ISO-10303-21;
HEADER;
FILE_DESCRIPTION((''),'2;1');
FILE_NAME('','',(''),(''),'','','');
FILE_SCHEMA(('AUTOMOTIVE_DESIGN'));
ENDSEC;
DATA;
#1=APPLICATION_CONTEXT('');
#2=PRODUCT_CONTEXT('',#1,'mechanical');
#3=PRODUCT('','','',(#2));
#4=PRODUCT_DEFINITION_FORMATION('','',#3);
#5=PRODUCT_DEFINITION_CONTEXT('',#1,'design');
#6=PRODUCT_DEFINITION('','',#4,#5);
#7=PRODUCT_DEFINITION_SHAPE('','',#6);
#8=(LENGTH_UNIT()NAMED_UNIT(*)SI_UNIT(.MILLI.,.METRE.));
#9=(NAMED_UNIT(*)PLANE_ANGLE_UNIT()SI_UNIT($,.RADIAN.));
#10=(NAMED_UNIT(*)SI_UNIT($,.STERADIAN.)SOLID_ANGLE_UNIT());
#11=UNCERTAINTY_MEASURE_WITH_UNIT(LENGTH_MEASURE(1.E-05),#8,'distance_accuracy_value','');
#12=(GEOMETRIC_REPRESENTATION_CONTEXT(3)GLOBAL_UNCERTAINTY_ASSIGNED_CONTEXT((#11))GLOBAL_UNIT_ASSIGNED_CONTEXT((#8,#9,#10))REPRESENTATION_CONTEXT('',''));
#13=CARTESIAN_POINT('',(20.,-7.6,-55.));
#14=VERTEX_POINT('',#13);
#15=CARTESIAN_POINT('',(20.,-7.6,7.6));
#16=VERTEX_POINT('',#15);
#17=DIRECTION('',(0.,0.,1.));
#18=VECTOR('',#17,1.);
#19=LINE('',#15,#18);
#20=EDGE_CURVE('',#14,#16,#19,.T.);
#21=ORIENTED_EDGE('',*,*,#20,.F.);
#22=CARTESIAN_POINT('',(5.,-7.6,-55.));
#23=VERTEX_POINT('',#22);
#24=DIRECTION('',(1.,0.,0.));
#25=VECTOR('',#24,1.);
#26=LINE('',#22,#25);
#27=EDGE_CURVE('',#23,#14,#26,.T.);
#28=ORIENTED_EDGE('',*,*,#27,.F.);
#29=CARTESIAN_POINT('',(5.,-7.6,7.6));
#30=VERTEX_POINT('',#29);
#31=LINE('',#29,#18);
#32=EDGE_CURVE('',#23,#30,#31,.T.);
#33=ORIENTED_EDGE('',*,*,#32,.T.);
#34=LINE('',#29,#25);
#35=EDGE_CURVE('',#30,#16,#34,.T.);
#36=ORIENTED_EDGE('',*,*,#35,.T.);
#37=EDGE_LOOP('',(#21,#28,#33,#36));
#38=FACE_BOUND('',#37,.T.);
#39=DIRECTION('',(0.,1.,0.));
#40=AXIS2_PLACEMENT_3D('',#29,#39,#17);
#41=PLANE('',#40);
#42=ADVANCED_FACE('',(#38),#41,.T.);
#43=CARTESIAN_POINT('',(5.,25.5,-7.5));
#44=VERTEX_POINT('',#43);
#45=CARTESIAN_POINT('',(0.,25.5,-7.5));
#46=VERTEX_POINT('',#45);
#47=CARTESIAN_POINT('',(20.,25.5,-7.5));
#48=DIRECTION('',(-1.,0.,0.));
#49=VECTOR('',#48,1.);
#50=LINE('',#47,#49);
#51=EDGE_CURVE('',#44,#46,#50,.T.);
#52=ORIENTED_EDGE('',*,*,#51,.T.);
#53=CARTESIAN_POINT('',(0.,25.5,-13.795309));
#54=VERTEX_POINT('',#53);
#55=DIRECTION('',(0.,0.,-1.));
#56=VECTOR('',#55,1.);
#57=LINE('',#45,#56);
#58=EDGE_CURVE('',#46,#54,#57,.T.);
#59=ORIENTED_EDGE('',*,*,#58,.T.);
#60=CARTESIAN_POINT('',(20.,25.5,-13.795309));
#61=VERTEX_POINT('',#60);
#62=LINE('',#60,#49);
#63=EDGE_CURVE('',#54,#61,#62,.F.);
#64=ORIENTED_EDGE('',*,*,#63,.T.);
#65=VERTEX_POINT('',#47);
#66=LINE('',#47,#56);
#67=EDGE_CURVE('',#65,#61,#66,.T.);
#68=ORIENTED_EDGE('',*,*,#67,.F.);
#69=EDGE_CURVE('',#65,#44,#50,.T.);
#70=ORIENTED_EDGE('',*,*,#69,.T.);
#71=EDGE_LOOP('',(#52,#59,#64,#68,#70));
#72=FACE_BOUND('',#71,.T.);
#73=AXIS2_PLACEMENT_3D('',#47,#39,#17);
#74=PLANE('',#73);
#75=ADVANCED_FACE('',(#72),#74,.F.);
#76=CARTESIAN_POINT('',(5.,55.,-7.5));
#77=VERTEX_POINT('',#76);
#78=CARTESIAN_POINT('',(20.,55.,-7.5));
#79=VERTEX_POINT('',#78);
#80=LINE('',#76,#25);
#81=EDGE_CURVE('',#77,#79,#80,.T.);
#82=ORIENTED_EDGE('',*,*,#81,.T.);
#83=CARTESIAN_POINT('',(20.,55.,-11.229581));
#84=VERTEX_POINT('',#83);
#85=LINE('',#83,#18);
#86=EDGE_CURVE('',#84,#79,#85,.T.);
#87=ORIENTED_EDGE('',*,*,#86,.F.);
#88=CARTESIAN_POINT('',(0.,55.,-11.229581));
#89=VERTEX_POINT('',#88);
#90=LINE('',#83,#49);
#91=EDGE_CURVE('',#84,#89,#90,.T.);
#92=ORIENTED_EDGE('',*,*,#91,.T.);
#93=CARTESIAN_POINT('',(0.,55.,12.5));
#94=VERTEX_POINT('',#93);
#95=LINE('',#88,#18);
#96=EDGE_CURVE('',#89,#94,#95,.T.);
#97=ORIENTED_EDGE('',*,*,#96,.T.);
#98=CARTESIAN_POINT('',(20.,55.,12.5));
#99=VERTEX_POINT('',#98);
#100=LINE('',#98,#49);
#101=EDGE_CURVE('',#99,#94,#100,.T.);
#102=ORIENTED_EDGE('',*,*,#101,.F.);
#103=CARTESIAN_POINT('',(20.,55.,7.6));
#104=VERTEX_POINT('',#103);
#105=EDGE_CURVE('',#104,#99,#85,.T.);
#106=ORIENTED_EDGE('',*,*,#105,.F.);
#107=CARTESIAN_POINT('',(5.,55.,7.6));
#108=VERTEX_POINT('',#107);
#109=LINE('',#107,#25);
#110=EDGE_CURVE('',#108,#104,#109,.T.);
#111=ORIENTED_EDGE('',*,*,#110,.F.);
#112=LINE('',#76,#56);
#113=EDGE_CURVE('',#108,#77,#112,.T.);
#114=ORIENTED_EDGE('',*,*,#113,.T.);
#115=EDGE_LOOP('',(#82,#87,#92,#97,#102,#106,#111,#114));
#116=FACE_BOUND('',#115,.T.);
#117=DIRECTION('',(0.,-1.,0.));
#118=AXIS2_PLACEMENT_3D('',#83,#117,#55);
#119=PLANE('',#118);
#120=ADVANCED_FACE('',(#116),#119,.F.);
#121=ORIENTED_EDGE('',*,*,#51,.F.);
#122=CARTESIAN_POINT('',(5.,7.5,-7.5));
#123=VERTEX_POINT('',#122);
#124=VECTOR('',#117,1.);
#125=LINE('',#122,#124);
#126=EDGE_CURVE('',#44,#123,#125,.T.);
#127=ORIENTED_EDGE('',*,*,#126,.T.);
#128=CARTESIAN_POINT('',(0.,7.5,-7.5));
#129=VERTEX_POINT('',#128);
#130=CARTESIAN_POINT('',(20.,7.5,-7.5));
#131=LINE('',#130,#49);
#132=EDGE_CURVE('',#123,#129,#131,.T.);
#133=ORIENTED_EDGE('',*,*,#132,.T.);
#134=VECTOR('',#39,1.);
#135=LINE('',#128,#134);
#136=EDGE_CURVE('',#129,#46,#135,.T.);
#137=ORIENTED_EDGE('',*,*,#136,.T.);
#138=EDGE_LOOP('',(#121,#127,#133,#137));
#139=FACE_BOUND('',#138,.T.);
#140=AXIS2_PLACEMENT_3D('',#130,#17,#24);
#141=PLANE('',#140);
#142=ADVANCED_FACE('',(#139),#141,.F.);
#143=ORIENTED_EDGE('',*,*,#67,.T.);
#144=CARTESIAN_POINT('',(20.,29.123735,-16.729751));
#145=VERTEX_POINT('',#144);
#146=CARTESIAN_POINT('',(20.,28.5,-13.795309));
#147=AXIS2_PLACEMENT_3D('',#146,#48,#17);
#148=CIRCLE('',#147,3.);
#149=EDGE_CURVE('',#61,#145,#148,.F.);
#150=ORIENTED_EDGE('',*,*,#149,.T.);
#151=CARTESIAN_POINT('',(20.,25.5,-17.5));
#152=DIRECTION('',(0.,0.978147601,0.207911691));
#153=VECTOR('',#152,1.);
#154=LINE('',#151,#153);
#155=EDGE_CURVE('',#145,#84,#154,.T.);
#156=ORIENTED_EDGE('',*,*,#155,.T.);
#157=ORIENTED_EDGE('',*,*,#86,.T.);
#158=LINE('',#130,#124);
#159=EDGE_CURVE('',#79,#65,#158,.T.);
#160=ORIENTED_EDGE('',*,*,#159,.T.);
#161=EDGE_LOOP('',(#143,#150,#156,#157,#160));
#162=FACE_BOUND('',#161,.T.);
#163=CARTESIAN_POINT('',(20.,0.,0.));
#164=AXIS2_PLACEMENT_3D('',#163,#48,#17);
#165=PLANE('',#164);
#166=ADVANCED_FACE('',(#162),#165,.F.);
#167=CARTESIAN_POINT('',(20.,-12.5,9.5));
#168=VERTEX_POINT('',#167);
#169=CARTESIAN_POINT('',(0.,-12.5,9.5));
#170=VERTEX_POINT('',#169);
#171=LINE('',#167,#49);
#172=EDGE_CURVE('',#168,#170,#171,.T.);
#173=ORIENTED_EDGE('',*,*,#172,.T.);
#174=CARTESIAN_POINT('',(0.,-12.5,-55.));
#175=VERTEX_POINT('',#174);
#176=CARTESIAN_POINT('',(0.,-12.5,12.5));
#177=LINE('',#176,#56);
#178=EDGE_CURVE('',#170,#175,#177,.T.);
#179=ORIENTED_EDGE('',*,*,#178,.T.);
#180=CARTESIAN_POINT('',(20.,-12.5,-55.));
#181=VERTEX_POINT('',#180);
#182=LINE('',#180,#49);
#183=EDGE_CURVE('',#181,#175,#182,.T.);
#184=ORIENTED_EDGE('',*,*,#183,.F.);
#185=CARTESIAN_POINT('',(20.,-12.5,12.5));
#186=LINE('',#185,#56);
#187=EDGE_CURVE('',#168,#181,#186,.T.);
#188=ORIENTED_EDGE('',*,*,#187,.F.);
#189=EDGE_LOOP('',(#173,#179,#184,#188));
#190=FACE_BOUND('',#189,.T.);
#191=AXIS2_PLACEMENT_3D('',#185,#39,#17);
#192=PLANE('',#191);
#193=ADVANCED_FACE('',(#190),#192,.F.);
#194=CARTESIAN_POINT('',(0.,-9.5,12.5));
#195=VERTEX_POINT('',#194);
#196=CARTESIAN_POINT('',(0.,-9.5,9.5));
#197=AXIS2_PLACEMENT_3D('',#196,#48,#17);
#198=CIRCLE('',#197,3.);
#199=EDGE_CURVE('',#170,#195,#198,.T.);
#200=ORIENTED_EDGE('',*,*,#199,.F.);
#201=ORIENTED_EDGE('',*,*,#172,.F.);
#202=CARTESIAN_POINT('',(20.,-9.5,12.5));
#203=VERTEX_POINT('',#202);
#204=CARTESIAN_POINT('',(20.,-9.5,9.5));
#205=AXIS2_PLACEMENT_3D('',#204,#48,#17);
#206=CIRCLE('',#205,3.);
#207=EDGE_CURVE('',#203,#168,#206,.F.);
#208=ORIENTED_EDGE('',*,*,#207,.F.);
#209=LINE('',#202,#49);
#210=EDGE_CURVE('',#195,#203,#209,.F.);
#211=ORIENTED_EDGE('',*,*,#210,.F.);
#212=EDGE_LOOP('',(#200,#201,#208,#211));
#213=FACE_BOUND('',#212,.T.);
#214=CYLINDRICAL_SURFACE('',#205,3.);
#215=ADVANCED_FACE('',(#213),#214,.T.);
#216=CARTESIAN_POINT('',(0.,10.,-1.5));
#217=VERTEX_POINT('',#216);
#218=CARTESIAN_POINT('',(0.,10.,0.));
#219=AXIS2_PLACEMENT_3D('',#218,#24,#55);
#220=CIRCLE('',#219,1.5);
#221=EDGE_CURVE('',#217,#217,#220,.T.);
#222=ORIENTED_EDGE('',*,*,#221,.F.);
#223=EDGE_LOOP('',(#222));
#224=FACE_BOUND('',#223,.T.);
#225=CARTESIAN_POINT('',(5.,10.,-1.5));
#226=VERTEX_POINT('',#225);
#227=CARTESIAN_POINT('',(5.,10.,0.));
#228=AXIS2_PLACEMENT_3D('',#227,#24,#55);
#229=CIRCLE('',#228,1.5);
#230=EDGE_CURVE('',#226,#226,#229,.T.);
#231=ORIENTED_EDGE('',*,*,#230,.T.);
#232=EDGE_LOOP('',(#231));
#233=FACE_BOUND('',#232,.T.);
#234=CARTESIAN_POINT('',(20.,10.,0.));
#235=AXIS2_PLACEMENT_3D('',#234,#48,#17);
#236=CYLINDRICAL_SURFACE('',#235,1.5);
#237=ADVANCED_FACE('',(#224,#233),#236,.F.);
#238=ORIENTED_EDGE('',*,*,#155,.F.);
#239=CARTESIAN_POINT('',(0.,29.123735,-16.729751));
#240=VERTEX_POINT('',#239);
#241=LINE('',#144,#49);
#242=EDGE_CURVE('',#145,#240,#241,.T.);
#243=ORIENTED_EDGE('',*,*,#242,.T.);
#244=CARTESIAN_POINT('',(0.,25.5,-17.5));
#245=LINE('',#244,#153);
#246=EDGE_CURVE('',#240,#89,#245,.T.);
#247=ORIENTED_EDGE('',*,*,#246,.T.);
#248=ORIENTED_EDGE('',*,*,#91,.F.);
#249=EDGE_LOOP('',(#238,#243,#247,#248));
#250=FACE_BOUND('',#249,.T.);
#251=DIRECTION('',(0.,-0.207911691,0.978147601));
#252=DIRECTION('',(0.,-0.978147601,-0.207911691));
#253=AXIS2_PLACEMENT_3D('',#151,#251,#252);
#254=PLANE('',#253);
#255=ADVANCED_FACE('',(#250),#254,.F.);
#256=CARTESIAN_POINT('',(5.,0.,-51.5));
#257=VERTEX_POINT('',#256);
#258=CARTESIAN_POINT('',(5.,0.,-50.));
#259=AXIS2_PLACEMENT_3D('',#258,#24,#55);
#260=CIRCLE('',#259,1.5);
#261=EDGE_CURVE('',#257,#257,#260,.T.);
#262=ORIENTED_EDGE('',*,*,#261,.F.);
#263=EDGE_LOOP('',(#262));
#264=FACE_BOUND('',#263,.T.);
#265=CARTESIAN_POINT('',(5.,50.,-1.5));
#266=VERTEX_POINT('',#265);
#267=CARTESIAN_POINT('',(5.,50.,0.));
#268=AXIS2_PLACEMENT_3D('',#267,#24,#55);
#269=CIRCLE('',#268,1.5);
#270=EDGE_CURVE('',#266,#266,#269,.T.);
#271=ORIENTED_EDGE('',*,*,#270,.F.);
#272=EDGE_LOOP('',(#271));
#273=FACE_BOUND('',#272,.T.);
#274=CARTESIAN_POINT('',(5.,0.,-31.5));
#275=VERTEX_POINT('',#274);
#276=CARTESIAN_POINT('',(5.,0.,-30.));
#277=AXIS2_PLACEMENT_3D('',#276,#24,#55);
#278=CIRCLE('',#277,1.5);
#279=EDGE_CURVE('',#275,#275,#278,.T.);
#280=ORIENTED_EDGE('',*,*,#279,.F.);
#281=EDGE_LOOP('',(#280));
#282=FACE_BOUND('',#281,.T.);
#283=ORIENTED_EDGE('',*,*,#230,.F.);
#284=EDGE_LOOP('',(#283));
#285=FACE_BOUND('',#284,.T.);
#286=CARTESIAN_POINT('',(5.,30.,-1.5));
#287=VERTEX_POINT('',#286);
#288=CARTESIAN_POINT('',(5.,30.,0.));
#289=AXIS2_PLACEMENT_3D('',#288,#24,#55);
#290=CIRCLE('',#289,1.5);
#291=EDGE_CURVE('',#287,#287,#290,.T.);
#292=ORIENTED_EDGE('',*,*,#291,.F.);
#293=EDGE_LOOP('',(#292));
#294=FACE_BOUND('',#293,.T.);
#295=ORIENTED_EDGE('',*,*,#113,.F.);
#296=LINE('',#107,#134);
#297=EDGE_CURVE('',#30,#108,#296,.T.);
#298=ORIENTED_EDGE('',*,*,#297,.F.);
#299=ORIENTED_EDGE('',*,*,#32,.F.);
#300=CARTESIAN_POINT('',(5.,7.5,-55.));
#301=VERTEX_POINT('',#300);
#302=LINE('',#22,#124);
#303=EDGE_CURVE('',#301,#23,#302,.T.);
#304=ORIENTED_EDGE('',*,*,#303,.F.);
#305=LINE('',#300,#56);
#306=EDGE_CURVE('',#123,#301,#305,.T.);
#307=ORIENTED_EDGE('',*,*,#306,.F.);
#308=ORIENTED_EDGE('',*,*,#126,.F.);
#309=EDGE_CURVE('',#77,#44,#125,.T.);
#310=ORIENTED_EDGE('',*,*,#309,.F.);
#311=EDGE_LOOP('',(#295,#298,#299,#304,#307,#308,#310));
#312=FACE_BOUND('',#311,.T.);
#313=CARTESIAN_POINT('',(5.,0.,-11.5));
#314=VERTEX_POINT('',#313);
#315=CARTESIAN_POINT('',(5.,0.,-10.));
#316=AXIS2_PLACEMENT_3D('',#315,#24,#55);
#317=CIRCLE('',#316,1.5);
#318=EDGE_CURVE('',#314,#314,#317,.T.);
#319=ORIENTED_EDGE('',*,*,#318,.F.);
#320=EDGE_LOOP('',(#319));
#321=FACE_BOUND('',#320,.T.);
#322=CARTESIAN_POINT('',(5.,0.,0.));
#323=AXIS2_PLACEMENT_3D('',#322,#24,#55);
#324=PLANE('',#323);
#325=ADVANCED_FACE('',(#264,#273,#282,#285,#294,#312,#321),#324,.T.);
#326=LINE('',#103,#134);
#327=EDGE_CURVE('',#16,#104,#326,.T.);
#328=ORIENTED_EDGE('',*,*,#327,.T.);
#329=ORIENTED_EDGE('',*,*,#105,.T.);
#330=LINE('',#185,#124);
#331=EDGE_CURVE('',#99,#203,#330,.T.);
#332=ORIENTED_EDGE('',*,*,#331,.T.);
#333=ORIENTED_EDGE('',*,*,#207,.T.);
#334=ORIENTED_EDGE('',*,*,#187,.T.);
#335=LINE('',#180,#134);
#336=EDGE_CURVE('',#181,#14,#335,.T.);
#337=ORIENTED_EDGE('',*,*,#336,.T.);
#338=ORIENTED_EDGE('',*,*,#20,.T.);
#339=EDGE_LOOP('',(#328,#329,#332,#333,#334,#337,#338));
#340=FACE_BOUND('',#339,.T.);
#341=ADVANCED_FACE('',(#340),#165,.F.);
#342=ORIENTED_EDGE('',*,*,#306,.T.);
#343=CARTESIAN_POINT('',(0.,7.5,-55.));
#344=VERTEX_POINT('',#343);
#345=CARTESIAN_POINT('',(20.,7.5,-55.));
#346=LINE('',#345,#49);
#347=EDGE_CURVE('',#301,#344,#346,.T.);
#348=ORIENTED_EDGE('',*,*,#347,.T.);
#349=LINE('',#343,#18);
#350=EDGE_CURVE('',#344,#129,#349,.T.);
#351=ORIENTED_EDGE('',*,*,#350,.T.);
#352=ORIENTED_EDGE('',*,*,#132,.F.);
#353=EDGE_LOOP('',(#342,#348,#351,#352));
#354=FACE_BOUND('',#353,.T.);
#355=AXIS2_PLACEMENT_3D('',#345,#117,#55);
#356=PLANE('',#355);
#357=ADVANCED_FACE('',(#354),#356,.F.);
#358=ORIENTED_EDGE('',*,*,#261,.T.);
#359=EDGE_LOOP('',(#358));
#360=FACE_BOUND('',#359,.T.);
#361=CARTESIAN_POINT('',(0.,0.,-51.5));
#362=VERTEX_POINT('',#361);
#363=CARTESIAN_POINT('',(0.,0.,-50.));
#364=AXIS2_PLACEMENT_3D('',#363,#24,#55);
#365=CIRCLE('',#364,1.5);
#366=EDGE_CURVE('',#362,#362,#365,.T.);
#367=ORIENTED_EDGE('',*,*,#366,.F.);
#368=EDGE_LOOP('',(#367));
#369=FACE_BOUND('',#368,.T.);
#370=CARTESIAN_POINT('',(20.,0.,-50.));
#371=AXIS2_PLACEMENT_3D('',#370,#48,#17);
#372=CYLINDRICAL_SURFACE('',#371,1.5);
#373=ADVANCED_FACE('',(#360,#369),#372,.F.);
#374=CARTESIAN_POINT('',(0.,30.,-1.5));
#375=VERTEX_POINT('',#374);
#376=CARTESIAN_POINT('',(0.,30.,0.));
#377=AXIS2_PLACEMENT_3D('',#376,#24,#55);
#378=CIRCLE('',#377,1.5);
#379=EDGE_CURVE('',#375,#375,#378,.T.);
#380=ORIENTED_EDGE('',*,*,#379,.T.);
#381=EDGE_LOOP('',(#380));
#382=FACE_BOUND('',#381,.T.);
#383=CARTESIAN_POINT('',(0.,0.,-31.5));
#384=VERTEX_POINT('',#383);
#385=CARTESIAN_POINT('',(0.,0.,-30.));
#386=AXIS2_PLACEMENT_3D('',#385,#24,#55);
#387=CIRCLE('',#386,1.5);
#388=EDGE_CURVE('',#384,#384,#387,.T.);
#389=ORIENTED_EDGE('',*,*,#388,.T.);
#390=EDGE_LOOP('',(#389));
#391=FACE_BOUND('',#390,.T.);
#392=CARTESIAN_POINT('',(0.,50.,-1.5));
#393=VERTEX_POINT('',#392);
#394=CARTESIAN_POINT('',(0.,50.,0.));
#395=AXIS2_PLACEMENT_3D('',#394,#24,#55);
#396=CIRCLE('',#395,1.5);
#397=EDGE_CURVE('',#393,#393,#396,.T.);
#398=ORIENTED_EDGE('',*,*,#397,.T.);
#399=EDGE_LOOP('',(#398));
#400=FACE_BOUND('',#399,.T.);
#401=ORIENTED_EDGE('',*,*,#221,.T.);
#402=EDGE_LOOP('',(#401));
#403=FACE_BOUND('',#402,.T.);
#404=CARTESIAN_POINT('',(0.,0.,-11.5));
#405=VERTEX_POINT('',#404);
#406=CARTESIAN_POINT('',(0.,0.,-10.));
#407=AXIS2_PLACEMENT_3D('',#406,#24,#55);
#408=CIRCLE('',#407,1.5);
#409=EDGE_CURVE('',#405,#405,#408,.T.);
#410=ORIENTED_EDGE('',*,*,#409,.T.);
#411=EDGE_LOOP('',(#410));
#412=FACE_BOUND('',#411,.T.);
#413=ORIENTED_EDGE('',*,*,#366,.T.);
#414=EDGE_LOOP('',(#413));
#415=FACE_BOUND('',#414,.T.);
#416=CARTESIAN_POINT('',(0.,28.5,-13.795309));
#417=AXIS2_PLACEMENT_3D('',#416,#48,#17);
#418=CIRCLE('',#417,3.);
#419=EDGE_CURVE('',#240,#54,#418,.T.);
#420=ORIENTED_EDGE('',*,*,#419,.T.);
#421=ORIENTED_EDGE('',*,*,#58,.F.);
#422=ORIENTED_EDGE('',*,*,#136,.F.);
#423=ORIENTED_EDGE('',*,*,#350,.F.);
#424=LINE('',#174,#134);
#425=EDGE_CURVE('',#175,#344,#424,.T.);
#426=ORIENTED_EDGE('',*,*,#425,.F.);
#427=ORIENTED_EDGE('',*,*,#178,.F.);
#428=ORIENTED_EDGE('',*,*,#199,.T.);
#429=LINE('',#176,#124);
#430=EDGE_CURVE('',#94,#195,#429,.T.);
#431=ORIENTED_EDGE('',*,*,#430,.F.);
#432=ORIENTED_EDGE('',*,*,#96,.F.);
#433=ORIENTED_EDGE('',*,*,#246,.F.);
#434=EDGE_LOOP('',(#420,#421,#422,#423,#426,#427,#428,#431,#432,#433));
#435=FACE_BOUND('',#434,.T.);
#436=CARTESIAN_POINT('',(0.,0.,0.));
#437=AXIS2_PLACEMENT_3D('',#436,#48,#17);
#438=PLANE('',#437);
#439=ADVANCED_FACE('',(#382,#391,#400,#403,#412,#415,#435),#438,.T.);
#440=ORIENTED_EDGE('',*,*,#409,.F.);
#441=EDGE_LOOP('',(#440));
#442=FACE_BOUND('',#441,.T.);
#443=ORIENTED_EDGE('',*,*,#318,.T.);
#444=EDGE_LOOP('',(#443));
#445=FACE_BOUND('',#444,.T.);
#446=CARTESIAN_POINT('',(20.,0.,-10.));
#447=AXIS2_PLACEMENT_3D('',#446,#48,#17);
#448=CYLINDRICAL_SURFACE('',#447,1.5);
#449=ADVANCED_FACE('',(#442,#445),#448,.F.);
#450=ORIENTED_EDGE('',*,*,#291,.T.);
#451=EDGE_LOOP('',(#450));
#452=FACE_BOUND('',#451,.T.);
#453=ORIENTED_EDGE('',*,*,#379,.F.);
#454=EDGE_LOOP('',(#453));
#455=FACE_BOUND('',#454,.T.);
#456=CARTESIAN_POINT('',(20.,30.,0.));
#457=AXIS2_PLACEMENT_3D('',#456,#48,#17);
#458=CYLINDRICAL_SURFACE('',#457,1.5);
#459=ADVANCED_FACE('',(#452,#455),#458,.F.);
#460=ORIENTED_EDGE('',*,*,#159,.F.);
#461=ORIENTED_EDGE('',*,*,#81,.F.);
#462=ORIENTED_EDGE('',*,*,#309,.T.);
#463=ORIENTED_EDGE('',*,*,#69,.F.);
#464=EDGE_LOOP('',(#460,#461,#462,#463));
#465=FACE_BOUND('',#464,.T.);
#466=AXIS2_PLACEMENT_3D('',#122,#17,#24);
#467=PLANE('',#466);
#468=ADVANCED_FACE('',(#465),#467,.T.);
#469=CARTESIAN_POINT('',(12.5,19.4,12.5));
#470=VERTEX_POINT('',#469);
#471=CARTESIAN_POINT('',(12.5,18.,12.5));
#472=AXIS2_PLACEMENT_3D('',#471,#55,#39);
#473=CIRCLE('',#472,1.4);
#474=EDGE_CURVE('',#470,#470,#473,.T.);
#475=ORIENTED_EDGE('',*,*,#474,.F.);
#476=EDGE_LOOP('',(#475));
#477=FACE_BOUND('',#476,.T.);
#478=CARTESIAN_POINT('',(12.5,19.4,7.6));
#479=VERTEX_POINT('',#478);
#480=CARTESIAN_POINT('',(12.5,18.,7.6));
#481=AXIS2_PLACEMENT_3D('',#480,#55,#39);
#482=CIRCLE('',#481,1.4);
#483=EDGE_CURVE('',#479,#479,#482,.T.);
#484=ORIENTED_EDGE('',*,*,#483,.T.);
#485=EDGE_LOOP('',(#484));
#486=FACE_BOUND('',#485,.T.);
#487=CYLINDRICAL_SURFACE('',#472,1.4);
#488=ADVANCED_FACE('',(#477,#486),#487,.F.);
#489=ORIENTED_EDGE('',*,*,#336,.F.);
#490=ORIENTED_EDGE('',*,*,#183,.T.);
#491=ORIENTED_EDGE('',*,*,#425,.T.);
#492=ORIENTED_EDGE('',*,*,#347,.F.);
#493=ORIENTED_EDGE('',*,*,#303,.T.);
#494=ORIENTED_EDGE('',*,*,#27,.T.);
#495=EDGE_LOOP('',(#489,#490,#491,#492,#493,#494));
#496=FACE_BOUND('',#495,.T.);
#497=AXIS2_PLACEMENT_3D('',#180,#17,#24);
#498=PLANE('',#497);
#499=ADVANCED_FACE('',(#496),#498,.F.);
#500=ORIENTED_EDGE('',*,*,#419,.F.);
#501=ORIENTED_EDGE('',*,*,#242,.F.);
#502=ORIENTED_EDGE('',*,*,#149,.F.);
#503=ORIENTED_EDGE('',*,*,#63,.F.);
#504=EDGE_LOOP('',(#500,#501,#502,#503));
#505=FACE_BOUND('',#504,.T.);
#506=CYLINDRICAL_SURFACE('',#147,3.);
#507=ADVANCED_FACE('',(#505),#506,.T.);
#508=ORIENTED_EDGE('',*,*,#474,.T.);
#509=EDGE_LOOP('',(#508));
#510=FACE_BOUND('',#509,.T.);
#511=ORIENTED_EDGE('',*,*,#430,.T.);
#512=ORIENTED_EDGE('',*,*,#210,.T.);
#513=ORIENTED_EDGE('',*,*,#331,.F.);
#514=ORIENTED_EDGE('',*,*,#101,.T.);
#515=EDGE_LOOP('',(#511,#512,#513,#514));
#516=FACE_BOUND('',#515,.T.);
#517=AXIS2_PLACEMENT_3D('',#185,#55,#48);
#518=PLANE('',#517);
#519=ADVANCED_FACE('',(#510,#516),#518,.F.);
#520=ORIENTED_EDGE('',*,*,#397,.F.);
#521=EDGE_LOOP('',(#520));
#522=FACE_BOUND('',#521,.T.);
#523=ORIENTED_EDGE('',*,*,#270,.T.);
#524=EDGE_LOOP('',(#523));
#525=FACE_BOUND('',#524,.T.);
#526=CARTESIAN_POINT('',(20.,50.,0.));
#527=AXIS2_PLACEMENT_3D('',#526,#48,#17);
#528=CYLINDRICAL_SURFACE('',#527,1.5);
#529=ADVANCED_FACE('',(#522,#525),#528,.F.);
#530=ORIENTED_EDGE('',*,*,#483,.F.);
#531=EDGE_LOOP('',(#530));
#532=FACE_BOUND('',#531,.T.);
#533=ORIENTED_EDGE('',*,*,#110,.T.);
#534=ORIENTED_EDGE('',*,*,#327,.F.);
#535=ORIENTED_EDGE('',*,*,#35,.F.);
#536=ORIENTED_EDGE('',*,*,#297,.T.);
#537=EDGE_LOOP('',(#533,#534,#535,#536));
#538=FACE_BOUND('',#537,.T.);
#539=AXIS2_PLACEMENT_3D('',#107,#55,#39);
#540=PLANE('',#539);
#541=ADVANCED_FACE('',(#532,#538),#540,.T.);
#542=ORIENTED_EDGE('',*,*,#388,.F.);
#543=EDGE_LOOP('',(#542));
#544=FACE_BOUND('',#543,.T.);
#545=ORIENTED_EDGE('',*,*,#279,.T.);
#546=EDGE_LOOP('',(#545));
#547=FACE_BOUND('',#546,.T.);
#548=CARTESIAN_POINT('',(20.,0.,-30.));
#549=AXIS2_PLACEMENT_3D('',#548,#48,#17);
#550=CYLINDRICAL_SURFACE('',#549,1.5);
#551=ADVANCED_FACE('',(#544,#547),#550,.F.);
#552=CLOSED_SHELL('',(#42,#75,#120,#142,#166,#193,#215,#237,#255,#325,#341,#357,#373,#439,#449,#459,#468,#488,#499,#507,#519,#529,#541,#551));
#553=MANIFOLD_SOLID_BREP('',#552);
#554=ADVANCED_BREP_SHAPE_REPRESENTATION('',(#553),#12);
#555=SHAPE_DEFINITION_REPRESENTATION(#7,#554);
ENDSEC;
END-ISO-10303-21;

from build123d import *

# Parameters (mm, degrees)
SKETCH_1_R          = 1.5
EXTRUDE_1_DEPTH     = 20
CUT_EXTRUDE_1_DEPTH = 15
SKETCH_3_R          = 1.4
CUT_EXTRUDE_2_DEPTH = 86.695740851
FILLET_1_R          = 3


with BuildPart() as part:
    # 草图1 → 凸台-拉伸1 (new body)
    with BuildSketch(Plane(origin=(0, 0, 0), x_dir=(0, 0, -1), z_dir=(1, 0, 0))):
        Polygon((-12.5, -12.5), (55, -12.5), (55, 7.5), (7.5, 7.5), (7.5, 25.5), (17.5, 25.5), (11.229581431, 55), (-12.5, 55), align=None)
        with Locations((0, 10)):
            Circle(SKETCH_1_R, mode=Mode.SUBTRACT)
        with Locations((0, 30)):
            Circle(SKETCH_1_R, mode=Mode.SUBTRACT)
        with Locations((10, 0)):
            Circle(SKETCH_1_R, mode=Mode.SUBTRACT)
        with Locations((30, 0)):
            Circle(SKETCH_1_R, mode=Mode.SUBTRACT)
        with Locations((50, 0)):
            Circle(SKETCH_1_R, mode=Mode.SUBTRACT)
        with Locations((0, 50)):
            Circle(SKETCH_1_R, mode=Mode.SUBTRACT)
    extrude(amount=EXTRUDE_1_DEPTH)

    # 草图2 → 切除-拉伸1 (cut)
    with BuildSketch(Plane.ZY.offset(-20)):
        Polygon((7.6, 55), (7.6, -7.6), (-55, -7.6), (-55, 7.5), (-7.5, 7.5), (-7.5, 55), align=None)
    extrude(amount=CUT_EXTRUDE_1_DEPTH, mode=Mode.SUBTRACT)

    # 草图3 → 切除-拉伸2 (cut, through all)
    with BuildSketch(Plane(origin=(0, 0, 7.6), x_dir=(-1, 0, 0), z_dir=(0, 0, -1))):
        with Locations(Location((-12.5, 18, 0), (0, 0, 90))):
            Circle(SKETCH_3_R)
    extrude(amount=-CUT_EXTRUDE_2_DEPTH, mode=Mode.SUBTRACT)

    # 圆角1
    fillet_1_edges = [part.edges().sort_by_distance(p)[0] for p in [
        (10, -12.5, 12.5),
        (10, 25.5, -17.5),
    ]]
    fillet(fillet_1_edges, radius=FILLET_1_R)


solid = part.part
